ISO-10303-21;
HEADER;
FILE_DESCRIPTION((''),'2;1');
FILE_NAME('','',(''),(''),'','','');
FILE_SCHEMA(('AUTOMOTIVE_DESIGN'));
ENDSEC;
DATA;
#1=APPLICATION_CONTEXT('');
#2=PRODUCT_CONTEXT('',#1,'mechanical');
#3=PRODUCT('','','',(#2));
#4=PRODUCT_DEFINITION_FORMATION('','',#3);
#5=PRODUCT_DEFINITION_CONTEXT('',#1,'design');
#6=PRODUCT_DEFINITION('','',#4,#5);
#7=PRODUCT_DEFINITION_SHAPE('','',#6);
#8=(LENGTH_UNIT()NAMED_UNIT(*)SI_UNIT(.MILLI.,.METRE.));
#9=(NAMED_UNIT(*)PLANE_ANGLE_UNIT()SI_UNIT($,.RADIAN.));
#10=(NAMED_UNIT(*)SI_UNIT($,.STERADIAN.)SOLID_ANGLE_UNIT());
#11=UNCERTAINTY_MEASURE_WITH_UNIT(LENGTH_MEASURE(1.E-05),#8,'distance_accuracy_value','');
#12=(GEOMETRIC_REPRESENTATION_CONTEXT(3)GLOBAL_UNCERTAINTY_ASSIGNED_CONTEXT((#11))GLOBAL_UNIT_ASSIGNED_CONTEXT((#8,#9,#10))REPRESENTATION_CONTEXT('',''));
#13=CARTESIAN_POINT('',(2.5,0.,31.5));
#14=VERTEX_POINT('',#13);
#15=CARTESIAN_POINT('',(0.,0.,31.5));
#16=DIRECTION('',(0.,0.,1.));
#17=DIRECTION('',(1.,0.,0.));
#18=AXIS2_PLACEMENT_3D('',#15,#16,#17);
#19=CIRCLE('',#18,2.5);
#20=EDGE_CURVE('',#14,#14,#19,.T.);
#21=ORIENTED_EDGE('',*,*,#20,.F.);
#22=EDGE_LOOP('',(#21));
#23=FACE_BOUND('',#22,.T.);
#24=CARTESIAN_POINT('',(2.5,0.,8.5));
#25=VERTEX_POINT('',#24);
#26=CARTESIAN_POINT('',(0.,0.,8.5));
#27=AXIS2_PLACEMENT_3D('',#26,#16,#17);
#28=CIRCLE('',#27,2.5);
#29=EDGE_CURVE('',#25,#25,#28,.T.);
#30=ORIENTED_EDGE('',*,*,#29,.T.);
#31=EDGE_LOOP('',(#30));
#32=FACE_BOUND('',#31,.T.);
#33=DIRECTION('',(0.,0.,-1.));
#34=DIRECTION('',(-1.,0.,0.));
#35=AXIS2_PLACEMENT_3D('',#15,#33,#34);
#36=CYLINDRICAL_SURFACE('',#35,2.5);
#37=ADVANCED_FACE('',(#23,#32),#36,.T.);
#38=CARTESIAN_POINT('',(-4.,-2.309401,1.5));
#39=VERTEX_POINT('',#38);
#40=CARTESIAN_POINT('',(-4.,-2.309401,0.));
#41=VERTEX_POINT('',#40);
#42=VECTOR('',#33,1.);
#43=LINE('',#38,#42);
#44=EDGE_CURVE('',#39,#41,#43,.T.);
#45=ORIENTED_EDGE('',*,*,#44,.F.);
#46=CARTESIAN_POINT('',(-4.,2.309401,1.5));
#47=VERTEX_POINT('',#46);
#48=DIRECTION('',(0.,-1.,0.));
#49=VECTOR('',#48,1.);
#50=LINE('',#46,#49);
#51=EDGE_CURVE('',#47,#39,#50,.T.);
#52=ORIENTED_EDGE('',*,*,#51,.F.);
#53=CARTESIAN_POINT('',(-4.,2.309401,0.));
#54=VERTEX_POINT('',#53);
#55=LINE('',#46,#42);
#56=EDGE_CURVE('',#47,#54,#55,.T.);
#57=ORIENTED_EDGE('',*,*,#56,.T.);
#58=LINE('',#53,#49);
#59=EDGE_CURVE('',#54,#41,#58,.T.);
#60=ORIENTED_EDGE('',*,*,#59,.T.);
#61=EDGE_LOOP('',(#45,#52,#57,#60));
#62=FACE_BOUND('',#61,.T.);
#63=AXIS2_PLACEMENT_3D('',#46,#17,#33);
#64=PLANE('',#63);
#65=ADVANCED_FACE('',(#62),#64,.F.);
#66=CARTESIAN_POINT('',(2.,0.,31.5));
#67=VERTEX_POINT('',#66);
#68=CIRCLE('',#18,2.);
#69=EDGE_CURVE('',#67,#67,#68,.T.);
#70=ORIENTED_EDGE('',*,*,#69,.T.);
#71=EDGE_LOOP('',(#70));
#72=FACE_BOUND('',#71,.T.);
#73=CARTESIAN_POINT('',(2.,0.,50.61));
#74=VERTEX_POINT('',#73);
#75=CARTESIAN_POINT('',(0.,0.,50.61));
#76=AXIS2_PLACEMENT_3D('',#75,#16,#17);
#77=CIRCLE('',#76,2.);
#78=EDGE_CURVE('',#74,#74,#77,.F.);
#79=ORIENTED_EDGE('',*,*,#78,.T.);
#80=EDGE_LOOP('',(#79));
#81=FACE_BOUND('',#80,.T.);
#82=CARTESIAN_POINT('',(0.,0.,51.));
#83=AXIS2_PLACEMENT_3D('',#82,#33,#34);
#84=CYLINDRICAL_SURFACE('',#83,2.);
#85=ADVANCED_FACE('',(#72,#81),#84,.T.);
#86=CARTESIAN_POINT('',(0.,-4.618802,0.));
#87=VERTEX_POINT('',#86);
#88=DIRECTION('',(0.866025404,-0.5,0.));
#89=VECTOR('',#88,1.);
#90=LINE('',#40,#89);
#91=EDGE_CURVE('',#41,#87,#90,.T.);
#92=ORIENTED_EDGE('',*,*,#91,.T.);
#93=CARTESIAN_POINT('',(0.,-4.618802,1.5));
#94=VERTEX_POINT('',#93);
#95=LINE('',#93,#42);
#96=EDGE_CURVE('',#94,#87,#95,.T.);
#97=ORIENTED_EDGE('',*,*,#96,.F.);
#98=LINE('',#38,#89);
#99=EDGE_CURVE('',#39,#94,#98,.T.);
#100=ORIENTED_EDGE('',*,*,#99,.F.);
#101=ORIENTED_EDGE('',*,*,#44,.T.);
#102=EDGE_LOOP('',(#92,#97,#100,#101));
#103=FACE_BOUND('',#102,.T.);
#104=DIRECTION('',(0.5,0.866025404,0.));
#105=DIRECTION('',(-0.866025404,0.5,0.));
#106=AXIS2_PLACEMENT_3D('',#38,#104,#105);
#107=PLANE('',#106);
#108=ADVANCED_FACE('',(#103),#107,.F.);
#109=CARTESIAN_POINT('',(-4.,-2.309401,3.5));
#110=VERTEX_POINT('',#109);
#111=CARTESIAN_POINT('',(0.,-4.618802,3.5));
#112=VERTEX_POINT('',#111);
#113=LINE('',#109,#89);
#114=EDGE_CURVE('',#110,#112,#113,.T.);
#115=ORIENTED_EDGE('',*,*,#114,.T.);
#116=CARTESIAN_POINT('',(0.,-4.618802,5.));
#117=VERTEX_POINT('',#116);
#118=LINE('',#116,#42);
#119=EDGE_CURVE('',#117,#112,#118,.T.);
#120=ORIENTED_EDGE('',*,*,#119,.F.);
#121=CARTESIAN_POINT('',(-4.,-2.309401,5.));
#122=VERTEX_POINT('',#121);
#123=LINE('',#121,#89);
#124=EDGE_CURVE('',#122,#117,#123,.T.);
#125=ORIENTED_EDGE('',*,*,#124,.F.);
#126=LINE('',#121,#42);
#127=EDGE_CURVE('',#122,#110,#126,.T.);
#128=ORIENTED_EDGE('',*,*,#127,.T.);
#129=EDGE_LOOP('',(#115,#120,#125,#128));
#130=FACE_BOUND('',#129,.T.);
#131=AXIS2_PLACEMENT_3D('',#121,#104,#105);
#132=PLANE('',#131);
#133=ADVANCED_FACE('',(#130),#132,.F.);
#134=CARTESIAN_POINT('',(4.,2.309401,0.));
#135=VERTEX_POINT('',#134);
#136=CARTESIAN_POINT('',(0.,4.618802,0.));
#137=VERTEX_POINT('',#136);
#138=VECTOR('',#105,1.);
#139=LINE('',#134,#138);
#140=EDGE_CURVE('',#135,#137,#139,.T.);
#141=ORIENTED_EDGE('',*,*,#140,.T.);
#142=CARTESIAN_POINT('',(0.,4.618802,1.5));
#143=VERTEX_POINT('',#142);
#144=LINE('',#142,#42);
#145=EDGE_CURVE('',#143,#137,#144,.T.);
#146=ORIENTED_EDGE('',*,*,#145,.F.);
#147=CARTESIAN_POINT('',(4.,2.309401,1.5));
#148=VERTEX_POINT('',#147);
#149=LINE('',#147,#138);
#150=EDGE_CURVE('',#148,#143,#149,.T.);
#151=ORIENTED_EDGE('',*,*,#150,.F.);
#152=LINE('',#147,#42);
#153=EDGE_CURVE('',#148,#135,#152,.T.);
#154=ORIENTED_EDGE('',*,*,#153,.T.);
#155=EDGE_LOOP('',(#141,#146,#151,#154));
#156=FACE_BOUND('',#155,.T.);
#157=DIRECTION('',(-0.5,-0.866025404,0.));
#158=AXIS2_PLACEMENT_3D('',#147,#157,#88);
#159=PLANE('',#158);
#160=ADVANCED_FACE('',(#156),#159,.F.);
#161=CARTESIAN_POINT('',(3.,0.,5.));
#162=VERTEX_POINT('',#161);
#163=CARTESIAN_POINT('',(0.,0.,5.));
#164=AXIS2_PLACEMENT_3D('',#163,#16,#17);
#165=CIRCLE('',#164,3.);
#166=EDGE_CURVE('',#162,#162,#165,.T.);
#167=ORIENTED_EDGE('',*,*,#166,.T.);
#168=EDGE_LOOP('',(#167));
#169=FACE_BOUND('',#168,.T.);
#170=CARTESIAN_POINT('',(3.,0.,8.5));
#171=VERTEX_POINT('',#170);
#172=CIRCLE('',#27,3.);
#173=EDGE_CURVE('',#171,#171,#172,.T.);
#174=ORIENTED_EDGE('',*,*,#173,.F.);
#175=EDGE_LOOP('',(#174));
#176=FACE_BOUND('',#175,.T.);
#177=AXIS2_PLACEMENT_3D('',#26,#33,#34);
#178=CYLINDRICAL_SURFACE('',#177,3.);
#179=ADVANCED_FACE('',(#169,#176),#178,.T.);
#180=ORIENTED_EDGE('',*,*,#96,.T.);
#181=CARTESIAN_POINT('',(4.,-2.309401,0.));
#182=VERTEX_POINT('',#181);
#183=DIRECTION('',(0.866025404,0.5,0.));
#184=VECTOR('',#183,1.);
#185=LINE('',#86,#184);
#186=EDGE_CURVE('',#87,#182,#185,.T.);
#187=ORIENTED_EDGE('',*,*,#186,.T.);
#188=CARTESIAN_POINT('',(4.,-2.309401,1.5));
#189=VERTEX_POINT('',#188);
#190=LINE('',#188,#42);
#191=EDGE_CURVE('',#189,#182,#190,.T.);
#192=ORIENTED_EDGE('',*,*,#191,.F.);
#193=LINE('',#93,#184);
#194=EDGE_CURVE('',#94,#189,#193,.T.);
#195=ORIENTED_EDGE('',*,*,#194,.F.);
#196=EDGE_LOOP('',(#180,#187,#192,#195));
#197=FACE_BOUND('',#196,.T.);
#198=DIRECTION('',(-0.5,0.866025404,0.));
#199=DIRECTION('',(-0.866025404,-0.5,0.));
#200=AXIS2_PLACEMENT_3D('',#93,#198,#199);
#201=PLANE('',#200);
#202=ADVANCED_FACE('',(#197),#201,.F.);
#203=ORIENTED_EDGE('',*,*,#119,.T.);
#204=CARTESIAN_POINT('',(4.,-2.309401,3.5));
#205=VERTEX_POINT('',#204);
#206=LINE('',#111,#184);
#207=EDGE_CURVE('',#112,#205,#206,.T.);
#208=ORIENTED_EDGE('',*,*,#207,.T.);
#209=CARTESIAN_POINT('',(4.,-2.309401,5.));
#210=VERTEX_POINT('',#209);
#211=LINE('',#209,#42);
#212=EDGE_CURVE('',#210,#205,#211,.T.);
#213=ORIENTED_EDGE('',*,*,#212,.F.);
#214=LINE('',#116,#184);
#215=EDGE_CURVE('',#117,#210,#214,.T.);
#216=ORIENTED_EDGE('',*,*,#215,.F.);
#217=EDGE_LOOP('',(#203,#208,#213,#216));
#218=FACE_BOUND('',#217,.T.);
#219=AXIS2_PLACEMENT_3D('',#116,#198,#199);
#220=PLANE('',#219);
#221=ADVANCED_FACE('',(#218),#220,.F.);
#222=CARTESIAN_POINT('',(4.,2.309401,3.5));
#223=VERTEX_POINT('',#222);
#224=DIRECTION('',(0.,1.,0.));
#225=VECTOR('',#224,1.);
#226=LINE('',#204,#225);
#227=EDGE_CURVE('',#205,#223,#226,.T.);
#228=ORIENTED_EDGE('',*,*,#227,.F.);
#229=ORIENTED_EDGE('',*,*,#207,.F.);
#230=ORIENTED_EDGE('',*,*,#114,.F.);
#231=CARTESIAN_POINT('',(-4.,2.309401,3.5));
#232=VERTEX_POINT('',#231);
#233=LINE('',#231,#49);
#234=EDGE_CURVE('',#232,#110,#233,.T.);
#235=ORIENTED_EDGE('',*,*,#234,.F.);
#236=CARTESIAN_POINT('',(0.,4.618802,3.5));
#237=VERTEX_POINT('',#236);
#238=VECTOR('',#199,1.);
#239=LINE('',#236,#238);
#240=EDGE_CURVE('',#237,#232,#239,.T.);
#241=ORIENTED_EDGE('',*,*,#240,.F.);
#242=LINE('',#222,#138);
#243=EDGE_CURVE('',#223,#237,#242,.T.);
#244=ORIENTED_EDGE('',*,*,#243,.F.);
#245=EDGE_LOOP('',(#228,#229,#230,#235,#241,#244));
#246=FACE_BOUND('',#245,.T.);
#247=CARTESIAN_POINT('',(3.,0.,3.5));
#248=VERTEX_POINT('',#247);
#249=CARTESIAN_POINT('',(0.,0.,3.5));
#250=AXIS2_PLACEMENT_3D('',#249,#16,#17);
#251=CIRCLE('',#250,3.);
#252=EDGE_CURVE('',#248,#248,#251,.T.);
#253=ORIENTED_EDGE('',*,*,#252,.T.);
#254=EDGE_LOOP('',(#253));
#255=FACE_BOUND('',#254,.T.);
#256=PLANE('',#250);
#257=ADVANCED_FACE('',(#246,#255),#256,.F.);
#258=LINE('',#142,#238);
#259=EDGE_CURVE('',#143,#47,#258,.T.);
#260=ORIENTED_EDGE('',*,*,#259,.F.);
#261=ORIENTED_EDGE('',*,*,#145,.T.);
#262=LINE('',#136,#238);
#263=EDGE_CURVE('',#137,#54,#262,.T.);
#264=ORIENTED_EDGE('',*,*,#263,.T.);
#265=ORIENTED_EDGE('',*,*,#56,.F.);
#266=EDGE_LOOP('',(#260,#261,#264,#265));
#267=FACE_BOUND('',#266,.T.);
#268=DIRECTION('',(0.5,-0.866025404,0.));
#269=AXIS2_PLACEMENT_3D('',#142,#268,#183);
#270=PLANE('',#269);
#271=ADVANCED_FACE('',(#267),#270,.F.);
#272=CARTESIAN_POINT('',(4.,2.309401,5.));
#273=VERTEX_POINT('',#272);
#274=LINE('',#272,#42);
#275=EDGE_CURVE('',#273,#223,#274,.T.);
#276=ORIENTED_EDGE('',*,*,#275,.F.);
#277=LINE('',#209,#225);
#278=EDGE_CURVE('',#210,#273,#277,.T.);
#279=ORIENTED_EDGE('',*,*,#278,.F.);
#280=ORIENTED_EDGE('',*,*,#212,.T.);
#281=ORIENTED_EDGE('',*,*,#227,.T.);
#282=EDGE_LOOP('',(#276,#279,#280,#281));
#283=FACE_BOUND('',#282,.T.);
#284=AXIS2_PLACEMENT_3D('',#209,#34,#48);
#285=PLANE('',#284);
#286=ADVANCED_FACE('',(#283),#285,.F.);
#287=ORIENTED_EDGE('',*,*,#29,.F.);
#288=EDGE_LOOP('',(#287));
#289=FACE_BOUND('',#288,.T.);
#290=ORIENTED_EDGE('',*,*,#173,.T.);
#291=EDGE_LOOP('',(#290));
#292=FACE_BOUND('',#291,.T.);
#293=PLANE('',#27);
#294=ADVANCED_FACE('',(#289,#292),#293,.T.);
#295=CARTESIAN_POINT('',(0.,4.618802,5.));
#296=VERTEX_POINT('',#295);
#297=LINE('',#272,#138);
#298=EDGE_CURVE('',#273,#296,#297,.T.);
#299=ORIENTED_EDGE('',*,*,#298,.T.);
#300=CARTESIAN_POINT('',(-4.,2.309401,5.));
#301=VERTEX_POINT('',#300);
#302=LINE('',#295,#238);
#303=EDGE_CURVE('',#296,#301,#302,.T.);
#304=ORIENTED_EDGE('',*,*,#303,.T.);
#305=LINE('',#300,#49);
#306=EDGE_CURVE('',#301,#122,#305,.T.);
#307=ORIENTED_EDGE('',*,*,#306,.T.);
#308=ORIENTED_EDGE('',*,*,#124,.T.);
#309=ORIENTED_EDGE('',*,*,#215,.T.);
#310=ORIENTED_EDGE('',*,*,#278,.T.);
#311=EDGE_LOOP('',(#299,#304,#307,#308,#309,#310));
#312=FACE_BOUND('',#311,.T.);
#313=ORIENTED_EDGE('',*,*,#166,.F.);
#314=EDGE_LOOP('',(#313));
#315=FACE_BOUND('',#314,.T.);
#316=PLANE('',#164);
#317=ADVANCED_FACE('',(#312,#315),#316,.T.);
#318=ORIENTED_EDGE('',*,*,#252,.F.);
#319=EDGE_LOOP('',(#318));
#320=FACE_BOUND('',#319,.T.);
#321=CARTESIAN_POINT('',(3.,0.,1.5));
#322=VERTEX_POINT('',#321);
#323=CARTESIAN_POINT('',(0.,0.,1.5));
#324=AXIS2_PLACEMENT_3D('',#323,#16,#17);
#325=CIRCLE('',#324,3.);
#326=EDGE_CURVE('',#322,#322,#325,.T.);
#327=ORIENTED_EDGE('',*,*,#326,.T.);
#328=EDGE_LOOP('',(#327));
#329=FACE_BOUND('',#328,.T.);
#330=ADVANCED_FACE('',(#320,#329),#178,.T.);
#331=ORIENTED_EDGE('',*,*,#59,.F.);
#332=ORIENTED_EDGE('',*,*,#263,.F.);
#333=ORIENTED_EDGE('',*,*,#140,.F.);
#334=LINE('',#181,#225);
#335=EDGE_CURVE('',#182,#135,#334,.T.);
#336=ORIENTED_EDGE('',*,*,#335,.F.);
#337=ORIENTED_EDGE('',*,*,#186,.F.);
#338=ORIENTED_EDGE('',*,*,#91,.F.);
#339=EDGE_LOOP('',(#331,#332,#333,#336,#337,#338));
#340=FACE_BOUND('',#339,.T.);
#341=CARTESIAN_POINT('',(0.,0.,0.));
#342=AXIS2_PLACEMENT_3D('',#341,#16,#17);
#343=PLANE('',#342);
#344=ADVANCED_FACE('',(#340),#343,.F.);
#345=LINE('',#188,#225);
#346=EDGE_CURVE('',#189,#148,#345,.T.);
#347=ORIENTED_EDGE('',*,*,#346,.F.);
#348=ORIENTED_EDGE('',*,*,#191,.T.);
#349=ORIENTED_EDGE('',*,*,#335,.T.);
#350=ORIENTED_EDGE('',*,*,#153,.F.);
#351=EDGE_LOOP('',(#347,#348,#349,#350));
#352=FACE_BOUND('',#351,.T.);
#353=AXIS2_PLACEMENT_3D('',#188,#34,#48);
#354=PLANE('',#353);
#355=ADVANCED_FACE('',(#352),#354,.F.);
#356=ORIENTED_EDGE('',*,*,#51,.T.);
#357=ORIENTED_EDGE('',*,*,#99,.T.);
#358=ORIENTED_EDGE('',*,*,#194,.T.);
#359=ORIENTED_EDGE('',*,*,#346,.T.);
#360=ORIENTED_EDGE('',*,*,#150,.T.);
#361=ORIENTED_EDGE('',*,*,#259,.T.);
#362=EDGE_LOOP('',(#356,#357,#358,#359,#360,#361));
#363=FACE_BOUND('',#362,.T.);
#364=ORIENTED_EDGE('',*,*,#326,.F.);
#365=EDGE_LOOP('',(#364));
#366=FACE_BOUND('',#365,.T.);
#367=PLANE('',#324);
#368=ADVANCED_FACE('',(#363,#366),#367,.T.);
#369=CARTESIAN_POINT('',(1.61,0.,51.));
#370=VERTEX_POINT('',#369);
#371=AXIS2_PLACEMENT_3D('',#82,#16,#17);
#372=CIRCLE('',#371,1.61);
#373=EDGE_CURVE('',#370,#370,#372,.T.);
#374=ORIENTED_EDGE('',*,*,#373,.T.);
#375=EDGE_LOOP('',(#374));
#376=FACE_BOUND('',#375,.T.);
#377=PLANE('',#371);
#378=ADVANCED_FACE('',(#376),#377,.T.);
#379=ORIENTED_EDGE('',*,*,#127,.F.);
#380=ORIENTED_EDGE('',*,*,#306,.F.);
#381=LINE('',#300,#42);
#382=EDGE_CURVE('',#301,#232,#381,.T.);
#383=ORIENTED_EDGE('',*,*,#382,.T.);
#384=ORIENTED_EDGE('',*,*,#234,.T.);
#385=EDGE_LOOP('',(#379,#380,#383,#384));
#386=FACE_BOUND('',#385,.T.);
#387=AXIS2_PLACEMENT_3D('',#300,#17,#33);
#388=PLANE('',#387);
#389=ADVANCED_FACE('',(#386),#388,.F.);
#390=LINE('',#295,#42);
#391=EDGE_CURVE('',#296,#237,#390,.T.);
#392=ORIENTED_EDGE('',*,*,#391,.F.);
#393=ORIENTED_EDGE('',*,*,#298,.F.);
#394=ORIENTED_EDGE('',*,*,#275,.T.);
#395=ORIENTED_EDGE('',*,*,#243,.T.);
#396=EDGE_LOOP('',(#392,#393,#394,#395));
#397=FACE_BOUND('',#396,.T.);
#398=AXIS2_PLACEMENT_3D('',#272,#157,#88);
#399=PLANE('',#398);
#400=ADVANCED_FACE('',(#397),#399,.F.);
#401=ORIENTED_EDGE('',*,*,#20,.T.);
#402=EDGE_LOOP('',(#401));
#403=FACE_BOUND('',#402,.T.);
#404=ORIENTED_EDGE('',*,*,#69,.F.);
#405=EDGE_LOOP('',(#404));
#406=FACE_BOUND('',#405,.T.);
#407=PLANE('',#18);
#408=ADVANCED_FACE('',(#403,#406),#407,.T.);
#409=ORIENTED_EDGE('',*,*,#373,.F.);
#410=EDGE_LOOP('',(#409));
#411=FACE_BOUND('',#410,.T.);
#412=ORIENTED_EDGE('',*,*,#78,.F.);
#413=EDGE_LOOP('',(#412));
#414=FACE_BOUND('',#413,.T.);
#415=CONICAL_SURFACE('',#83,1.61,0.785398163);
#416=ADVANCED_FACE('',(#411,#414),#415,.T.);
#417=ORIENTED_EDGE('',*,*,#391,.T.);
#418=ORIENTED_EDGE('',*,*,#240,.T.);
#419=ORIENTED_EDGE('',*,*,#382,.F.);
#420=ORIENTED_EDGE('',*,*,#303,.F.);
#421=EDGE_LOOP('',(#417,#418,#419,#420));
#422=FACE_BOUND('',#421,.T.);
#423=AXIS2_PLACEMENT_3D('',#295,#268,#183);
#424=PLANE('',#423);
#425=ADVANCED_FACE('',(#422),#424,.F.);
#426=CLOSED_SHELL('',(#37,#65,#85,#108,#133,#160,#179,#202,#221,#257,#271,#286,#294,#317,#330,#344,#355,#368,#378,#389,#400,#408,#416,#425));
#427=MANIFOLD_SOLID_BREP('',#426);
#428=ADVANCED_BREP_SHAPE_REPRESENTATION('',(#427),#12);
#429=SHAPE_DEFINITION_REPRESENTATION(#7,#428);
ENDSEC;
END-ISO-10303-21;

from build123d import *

# Parameters (mm, degrees)
EXTRUDE_1_DEPTH = 1.5
SKETCH_2_R      = 3
EXTRUDE_2_DEPTH = 7
EXTRUDE_START   = 3.5
EXTRUDE_3_DEPTH = 1.5
SKETCH_3_R      = 2.5
EXTRUDE_4_DEPTH = 23
SKETCH_4_R      = 2
EXTRUDE_5_DEPTH = 19.5
CHAMFER_1_SIZE  = 0.39


with BuildPart() as part:
    # Эскиз1 → Бобышка-Вытянуть1 (new body)
    with BuildSketch(Plane.XY):
        Polygon((-4, 2.309401077), (-4, -2.309401077), (0, -4.618802154), (4, -2.309401077), (4, 2.309401077), (0, 4.618802154), align=None)
    extrude(amount=EXTRUDE_1_DEPTH)

    # Эскиз2 → Бобышка-Вытянуть2 (add)
    with BuildSketch(Plane.XY.offset(1.5)):
        Circle(SKETCH_2_R)
    extrude(amount=EXTRUDE_2_DEPTH)

    # Эскиз1<2> → Бобышка-Вытянуть3 (add)
    with BuildSketch(Plane.XY.offset(EXTRUDE_START)):
        Polygon((-4, 2.309401077), (-4, -2.309401077), (0, -4.618802154), (4, -2.309401077), (4, 2.309401077), (0, 4.618802154), align=None)
    extrude(amount=EXTRUDE_3_DEPTH)

    # Эскиз3 → Бобышка-Вытянуть4 (add)
    with BuildSketch(Plane.XY.offset(8.5)):
        Circle(SKETCH_3_R)
    extrude(amount=EXTRUDE_4_DEPTH)

    # Эскиз4 → Бобышка-Вытянуть5 (add)
    with BuildSketch(Plane.XY.offset(31.5)):
        Circle(SKETCH_4_R)
    extrude(amount=EXTRUDE_5_DEPTH)

    # Фаска1
    chamfer_1_edges = [part.edges().sort_by_distance(p)[0] for p in [
        (-2, 0, 51),
    ]]
    chamfer(chamfer_1_edges, length=CHAMFER_1_SIZE)


solid = part.part
